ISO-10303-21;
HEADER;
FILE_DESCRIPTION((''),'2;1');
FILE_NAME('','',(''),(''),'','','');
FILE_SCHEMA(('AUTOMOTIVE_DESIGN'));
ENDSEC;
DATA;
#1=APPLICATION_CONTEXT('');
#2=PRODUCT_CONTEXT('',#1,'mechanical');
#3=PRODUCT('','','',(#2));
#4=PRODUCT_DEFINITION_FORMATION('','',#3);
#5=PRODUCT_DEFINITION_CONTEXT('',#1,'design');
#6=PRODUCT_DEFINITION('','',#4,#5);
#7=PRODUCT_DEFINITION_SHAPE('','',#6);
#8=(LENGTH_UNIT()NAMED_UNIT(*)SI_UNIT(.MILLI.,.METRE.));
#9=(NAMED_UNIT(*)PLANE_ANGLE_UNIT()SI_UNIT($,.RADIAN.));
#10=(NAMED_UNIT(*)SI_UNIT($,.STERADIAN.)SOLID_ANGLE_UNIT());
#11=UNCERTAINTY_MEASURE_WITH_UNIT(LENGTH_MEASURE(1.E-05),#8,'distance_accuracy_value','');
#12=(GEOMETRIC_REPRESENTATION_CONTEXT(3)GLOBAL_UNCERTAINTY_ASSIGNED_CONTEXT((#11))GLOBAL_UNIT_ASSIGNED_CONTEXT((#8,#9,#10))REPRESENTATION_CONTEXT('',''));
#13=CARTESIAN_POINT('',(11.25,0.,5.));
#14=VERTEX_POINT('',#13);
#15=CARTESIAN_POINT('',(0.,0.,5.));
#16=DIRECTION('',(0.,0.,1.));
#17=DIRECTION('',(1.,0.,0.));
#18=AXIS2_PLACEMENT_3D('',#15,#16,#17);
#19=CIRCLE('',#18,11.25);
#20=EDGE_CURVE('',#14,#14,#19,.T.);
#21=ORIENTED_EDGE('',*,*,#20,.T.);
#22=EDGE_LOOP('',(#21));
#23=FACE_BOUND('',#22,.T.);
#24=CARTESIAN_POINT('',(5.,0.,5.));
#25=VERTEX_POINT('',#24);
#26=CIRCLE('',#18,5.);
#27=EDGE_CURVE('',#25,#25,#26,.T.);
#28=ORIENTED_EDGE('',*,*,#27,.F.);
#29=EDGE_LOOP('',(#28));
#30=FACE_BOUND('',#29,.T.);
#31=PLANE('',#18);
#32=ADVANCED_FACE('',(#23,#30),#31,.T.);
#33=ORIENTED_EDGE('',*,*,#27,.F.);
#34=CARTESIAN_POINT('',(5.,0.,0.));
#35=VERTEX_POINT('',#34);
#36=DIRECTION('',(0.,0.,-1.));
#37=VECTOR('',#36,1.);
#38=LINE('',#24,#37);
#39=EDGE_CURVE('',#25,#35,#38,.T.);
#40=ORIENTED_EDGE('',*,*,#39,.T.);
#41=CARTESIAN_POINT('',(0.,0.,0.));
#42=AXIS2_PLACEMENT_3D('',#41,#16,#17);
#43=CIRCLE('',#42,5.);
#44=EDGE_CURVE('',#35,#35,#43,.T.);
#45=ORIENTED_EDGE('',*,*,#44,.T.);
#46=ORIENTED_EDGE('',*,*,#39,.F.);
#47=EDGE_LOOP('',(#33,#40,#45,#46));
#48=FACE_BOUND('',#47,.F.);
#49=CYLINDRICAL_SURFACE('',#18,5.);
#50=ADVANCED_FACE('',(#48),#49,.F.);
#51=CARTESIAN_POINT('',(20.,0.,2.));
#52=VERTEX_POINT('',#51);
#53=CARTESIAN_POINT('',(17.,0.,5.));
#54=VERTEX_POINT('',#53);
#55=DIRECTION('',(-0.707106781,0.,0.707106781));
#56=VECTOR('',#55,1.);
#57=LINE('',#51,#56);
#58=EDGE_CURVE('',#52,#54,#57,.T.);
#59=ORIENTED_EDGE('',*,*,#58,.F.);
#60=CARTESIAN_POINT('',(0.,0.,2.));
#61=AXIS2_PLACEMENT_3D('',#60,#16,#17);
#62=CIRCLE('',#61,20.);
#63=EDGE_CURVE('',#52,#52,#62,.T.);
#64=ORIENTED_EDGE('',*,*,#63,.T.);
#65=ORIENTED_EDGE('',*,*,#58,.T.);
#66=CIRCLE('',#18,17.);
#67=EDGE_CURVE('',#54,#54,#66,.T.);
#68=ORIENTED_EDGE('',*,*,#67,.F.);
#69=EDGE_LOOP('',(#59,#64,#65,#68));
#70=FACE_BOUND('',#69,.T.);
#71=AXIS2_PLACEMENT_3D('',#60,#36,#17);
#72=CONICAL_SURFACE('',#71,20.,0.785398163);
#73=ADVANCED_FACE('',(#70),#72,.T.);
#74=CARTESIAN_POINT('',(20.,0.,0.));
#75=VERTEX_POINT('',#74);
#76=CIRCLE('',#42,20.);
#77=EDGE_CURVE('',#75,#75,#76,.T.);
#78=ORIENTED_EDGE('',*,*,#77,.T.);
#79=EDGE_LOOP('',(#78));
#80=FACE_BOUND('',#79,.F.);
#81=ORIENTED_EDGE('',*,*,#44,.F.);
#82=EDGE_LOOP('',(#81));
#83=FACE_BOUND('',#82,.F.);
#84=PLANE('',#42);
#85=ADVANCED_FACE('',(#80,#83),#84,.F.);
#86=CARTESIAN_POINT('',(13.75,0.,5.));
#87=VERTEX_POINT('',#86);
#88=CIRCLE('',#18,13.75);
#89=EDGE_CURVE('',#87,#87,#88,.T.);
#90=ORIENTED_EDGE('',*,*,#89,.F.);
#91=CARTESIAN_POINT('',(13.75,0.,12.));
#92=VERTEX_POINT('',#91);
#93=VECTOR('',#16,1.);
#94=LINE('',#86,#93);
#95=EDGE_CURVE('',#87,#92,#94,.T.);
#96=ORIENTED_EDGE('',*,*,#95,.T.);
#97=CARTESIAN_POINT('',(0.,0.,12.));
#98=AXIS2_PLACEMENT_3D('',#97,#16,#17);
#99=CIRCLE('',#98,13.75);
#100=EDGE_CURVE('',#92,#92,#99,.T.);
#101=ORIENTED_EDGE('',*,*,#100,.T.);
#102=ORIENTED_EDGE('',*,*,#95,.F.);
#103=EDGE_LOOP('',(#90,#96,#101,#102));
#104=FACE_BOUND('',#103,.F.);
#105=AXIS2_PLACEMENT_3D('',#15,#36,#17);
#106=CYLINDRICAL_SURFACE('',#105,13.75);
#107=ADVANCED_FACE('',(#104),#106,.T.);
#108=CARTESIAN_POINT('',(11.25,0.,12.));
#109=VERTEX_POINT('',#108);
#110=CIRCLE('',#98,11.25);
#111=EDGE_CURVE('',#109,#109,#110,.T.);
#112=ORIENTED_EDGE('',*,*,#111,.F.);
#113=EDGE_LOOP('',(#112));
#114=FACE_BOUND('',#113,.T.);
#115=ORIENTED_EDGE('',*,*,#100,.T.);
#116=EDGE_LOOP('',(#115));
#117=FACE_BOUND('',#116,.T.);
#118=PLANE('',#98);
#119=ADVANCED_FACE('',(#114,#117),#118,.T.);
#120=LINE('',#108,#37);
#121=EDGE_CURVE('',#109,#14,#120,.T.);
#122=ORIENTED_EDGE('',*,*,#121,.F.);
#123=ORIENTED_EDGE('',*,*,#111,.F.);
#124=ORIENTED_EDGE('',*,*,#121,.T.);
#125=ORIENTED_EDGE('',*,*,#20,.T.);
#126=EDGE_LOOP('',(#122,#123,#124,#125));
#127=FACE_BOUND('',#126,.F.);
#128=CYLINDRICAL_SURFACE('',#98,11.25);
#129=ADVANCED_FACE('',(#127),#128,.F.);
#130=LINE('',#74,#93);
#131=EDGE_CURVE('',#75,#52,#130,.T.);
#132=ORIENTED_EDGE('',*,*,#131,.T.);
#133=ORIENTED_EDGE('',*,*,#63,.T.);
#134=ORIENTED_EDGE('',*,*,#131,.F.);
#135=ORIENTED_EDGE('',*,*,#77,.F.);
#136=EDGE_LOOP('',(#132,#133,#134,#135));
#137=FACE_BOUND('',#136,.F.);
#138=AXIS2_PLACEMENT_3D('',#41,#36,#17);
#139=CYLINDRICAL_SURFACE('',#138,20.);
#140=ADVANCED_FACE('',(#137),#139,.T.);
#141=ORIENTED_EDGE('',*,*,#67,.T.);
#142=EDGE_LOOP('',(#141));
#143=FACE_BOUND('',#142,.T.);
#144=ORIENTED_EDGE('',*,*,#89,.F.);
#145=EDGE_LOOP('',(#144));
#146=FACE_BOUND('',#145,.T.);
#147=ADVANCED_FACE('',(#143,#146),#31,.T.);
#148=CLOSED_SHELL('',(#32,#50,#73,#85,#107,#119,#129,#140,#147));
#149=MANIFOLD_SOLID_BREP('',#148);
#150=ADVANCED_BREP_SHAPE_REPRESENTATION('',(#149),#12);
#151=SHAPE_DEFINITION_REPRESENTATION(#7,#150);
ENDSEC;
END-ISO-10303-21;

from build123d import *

# Parameters (mm, degrees)
F0_R     = 20
F1_DEPTH = 5
F2_R     = 13.75
F3_DEPTH = 7
F5_SIZE  = 3
F4_R     = 11.25
F6_DEPTH = 7
F7_R     = 5
F8_DEPTH = 5


with BuildPart() as f1:
    # F0 (on Top) → F1 (new body)
    with BuildSketch(Plane.XY):
        Circle(F0_R)
    extrude(amount=F1_DEPTH)

    # F2 (on face) → F3 (join)
    with BuildSketch(Plane.XY.offset(5)):
        Circle(F2_R)
    extrude(amount=F3_DEPTH)

    # F5
    f5_edges = [f1.edges().sort_by_distance(p)[0] for p in [
        (-20, 0, 5),
    ]]
    chamfer(f5_edges, length=F5_SIZE)

    # F4 (on face) → F6 (cut)
    with BuildSketch(Plane.XY.offset(12)):
        Circle(F4_R)
    extrude(amount=-F6_DEPTH, mode=Mode.SUBTRACT)

    # F7 (on face) → F8 (cut, through all)
    with BuildSketch(Plane.XY.offset(5)):
        Circle(F7_R)
    extrude(amount=-F8_DEPTH, mode=Mode.SUBTRACT)


solid = f1.part
